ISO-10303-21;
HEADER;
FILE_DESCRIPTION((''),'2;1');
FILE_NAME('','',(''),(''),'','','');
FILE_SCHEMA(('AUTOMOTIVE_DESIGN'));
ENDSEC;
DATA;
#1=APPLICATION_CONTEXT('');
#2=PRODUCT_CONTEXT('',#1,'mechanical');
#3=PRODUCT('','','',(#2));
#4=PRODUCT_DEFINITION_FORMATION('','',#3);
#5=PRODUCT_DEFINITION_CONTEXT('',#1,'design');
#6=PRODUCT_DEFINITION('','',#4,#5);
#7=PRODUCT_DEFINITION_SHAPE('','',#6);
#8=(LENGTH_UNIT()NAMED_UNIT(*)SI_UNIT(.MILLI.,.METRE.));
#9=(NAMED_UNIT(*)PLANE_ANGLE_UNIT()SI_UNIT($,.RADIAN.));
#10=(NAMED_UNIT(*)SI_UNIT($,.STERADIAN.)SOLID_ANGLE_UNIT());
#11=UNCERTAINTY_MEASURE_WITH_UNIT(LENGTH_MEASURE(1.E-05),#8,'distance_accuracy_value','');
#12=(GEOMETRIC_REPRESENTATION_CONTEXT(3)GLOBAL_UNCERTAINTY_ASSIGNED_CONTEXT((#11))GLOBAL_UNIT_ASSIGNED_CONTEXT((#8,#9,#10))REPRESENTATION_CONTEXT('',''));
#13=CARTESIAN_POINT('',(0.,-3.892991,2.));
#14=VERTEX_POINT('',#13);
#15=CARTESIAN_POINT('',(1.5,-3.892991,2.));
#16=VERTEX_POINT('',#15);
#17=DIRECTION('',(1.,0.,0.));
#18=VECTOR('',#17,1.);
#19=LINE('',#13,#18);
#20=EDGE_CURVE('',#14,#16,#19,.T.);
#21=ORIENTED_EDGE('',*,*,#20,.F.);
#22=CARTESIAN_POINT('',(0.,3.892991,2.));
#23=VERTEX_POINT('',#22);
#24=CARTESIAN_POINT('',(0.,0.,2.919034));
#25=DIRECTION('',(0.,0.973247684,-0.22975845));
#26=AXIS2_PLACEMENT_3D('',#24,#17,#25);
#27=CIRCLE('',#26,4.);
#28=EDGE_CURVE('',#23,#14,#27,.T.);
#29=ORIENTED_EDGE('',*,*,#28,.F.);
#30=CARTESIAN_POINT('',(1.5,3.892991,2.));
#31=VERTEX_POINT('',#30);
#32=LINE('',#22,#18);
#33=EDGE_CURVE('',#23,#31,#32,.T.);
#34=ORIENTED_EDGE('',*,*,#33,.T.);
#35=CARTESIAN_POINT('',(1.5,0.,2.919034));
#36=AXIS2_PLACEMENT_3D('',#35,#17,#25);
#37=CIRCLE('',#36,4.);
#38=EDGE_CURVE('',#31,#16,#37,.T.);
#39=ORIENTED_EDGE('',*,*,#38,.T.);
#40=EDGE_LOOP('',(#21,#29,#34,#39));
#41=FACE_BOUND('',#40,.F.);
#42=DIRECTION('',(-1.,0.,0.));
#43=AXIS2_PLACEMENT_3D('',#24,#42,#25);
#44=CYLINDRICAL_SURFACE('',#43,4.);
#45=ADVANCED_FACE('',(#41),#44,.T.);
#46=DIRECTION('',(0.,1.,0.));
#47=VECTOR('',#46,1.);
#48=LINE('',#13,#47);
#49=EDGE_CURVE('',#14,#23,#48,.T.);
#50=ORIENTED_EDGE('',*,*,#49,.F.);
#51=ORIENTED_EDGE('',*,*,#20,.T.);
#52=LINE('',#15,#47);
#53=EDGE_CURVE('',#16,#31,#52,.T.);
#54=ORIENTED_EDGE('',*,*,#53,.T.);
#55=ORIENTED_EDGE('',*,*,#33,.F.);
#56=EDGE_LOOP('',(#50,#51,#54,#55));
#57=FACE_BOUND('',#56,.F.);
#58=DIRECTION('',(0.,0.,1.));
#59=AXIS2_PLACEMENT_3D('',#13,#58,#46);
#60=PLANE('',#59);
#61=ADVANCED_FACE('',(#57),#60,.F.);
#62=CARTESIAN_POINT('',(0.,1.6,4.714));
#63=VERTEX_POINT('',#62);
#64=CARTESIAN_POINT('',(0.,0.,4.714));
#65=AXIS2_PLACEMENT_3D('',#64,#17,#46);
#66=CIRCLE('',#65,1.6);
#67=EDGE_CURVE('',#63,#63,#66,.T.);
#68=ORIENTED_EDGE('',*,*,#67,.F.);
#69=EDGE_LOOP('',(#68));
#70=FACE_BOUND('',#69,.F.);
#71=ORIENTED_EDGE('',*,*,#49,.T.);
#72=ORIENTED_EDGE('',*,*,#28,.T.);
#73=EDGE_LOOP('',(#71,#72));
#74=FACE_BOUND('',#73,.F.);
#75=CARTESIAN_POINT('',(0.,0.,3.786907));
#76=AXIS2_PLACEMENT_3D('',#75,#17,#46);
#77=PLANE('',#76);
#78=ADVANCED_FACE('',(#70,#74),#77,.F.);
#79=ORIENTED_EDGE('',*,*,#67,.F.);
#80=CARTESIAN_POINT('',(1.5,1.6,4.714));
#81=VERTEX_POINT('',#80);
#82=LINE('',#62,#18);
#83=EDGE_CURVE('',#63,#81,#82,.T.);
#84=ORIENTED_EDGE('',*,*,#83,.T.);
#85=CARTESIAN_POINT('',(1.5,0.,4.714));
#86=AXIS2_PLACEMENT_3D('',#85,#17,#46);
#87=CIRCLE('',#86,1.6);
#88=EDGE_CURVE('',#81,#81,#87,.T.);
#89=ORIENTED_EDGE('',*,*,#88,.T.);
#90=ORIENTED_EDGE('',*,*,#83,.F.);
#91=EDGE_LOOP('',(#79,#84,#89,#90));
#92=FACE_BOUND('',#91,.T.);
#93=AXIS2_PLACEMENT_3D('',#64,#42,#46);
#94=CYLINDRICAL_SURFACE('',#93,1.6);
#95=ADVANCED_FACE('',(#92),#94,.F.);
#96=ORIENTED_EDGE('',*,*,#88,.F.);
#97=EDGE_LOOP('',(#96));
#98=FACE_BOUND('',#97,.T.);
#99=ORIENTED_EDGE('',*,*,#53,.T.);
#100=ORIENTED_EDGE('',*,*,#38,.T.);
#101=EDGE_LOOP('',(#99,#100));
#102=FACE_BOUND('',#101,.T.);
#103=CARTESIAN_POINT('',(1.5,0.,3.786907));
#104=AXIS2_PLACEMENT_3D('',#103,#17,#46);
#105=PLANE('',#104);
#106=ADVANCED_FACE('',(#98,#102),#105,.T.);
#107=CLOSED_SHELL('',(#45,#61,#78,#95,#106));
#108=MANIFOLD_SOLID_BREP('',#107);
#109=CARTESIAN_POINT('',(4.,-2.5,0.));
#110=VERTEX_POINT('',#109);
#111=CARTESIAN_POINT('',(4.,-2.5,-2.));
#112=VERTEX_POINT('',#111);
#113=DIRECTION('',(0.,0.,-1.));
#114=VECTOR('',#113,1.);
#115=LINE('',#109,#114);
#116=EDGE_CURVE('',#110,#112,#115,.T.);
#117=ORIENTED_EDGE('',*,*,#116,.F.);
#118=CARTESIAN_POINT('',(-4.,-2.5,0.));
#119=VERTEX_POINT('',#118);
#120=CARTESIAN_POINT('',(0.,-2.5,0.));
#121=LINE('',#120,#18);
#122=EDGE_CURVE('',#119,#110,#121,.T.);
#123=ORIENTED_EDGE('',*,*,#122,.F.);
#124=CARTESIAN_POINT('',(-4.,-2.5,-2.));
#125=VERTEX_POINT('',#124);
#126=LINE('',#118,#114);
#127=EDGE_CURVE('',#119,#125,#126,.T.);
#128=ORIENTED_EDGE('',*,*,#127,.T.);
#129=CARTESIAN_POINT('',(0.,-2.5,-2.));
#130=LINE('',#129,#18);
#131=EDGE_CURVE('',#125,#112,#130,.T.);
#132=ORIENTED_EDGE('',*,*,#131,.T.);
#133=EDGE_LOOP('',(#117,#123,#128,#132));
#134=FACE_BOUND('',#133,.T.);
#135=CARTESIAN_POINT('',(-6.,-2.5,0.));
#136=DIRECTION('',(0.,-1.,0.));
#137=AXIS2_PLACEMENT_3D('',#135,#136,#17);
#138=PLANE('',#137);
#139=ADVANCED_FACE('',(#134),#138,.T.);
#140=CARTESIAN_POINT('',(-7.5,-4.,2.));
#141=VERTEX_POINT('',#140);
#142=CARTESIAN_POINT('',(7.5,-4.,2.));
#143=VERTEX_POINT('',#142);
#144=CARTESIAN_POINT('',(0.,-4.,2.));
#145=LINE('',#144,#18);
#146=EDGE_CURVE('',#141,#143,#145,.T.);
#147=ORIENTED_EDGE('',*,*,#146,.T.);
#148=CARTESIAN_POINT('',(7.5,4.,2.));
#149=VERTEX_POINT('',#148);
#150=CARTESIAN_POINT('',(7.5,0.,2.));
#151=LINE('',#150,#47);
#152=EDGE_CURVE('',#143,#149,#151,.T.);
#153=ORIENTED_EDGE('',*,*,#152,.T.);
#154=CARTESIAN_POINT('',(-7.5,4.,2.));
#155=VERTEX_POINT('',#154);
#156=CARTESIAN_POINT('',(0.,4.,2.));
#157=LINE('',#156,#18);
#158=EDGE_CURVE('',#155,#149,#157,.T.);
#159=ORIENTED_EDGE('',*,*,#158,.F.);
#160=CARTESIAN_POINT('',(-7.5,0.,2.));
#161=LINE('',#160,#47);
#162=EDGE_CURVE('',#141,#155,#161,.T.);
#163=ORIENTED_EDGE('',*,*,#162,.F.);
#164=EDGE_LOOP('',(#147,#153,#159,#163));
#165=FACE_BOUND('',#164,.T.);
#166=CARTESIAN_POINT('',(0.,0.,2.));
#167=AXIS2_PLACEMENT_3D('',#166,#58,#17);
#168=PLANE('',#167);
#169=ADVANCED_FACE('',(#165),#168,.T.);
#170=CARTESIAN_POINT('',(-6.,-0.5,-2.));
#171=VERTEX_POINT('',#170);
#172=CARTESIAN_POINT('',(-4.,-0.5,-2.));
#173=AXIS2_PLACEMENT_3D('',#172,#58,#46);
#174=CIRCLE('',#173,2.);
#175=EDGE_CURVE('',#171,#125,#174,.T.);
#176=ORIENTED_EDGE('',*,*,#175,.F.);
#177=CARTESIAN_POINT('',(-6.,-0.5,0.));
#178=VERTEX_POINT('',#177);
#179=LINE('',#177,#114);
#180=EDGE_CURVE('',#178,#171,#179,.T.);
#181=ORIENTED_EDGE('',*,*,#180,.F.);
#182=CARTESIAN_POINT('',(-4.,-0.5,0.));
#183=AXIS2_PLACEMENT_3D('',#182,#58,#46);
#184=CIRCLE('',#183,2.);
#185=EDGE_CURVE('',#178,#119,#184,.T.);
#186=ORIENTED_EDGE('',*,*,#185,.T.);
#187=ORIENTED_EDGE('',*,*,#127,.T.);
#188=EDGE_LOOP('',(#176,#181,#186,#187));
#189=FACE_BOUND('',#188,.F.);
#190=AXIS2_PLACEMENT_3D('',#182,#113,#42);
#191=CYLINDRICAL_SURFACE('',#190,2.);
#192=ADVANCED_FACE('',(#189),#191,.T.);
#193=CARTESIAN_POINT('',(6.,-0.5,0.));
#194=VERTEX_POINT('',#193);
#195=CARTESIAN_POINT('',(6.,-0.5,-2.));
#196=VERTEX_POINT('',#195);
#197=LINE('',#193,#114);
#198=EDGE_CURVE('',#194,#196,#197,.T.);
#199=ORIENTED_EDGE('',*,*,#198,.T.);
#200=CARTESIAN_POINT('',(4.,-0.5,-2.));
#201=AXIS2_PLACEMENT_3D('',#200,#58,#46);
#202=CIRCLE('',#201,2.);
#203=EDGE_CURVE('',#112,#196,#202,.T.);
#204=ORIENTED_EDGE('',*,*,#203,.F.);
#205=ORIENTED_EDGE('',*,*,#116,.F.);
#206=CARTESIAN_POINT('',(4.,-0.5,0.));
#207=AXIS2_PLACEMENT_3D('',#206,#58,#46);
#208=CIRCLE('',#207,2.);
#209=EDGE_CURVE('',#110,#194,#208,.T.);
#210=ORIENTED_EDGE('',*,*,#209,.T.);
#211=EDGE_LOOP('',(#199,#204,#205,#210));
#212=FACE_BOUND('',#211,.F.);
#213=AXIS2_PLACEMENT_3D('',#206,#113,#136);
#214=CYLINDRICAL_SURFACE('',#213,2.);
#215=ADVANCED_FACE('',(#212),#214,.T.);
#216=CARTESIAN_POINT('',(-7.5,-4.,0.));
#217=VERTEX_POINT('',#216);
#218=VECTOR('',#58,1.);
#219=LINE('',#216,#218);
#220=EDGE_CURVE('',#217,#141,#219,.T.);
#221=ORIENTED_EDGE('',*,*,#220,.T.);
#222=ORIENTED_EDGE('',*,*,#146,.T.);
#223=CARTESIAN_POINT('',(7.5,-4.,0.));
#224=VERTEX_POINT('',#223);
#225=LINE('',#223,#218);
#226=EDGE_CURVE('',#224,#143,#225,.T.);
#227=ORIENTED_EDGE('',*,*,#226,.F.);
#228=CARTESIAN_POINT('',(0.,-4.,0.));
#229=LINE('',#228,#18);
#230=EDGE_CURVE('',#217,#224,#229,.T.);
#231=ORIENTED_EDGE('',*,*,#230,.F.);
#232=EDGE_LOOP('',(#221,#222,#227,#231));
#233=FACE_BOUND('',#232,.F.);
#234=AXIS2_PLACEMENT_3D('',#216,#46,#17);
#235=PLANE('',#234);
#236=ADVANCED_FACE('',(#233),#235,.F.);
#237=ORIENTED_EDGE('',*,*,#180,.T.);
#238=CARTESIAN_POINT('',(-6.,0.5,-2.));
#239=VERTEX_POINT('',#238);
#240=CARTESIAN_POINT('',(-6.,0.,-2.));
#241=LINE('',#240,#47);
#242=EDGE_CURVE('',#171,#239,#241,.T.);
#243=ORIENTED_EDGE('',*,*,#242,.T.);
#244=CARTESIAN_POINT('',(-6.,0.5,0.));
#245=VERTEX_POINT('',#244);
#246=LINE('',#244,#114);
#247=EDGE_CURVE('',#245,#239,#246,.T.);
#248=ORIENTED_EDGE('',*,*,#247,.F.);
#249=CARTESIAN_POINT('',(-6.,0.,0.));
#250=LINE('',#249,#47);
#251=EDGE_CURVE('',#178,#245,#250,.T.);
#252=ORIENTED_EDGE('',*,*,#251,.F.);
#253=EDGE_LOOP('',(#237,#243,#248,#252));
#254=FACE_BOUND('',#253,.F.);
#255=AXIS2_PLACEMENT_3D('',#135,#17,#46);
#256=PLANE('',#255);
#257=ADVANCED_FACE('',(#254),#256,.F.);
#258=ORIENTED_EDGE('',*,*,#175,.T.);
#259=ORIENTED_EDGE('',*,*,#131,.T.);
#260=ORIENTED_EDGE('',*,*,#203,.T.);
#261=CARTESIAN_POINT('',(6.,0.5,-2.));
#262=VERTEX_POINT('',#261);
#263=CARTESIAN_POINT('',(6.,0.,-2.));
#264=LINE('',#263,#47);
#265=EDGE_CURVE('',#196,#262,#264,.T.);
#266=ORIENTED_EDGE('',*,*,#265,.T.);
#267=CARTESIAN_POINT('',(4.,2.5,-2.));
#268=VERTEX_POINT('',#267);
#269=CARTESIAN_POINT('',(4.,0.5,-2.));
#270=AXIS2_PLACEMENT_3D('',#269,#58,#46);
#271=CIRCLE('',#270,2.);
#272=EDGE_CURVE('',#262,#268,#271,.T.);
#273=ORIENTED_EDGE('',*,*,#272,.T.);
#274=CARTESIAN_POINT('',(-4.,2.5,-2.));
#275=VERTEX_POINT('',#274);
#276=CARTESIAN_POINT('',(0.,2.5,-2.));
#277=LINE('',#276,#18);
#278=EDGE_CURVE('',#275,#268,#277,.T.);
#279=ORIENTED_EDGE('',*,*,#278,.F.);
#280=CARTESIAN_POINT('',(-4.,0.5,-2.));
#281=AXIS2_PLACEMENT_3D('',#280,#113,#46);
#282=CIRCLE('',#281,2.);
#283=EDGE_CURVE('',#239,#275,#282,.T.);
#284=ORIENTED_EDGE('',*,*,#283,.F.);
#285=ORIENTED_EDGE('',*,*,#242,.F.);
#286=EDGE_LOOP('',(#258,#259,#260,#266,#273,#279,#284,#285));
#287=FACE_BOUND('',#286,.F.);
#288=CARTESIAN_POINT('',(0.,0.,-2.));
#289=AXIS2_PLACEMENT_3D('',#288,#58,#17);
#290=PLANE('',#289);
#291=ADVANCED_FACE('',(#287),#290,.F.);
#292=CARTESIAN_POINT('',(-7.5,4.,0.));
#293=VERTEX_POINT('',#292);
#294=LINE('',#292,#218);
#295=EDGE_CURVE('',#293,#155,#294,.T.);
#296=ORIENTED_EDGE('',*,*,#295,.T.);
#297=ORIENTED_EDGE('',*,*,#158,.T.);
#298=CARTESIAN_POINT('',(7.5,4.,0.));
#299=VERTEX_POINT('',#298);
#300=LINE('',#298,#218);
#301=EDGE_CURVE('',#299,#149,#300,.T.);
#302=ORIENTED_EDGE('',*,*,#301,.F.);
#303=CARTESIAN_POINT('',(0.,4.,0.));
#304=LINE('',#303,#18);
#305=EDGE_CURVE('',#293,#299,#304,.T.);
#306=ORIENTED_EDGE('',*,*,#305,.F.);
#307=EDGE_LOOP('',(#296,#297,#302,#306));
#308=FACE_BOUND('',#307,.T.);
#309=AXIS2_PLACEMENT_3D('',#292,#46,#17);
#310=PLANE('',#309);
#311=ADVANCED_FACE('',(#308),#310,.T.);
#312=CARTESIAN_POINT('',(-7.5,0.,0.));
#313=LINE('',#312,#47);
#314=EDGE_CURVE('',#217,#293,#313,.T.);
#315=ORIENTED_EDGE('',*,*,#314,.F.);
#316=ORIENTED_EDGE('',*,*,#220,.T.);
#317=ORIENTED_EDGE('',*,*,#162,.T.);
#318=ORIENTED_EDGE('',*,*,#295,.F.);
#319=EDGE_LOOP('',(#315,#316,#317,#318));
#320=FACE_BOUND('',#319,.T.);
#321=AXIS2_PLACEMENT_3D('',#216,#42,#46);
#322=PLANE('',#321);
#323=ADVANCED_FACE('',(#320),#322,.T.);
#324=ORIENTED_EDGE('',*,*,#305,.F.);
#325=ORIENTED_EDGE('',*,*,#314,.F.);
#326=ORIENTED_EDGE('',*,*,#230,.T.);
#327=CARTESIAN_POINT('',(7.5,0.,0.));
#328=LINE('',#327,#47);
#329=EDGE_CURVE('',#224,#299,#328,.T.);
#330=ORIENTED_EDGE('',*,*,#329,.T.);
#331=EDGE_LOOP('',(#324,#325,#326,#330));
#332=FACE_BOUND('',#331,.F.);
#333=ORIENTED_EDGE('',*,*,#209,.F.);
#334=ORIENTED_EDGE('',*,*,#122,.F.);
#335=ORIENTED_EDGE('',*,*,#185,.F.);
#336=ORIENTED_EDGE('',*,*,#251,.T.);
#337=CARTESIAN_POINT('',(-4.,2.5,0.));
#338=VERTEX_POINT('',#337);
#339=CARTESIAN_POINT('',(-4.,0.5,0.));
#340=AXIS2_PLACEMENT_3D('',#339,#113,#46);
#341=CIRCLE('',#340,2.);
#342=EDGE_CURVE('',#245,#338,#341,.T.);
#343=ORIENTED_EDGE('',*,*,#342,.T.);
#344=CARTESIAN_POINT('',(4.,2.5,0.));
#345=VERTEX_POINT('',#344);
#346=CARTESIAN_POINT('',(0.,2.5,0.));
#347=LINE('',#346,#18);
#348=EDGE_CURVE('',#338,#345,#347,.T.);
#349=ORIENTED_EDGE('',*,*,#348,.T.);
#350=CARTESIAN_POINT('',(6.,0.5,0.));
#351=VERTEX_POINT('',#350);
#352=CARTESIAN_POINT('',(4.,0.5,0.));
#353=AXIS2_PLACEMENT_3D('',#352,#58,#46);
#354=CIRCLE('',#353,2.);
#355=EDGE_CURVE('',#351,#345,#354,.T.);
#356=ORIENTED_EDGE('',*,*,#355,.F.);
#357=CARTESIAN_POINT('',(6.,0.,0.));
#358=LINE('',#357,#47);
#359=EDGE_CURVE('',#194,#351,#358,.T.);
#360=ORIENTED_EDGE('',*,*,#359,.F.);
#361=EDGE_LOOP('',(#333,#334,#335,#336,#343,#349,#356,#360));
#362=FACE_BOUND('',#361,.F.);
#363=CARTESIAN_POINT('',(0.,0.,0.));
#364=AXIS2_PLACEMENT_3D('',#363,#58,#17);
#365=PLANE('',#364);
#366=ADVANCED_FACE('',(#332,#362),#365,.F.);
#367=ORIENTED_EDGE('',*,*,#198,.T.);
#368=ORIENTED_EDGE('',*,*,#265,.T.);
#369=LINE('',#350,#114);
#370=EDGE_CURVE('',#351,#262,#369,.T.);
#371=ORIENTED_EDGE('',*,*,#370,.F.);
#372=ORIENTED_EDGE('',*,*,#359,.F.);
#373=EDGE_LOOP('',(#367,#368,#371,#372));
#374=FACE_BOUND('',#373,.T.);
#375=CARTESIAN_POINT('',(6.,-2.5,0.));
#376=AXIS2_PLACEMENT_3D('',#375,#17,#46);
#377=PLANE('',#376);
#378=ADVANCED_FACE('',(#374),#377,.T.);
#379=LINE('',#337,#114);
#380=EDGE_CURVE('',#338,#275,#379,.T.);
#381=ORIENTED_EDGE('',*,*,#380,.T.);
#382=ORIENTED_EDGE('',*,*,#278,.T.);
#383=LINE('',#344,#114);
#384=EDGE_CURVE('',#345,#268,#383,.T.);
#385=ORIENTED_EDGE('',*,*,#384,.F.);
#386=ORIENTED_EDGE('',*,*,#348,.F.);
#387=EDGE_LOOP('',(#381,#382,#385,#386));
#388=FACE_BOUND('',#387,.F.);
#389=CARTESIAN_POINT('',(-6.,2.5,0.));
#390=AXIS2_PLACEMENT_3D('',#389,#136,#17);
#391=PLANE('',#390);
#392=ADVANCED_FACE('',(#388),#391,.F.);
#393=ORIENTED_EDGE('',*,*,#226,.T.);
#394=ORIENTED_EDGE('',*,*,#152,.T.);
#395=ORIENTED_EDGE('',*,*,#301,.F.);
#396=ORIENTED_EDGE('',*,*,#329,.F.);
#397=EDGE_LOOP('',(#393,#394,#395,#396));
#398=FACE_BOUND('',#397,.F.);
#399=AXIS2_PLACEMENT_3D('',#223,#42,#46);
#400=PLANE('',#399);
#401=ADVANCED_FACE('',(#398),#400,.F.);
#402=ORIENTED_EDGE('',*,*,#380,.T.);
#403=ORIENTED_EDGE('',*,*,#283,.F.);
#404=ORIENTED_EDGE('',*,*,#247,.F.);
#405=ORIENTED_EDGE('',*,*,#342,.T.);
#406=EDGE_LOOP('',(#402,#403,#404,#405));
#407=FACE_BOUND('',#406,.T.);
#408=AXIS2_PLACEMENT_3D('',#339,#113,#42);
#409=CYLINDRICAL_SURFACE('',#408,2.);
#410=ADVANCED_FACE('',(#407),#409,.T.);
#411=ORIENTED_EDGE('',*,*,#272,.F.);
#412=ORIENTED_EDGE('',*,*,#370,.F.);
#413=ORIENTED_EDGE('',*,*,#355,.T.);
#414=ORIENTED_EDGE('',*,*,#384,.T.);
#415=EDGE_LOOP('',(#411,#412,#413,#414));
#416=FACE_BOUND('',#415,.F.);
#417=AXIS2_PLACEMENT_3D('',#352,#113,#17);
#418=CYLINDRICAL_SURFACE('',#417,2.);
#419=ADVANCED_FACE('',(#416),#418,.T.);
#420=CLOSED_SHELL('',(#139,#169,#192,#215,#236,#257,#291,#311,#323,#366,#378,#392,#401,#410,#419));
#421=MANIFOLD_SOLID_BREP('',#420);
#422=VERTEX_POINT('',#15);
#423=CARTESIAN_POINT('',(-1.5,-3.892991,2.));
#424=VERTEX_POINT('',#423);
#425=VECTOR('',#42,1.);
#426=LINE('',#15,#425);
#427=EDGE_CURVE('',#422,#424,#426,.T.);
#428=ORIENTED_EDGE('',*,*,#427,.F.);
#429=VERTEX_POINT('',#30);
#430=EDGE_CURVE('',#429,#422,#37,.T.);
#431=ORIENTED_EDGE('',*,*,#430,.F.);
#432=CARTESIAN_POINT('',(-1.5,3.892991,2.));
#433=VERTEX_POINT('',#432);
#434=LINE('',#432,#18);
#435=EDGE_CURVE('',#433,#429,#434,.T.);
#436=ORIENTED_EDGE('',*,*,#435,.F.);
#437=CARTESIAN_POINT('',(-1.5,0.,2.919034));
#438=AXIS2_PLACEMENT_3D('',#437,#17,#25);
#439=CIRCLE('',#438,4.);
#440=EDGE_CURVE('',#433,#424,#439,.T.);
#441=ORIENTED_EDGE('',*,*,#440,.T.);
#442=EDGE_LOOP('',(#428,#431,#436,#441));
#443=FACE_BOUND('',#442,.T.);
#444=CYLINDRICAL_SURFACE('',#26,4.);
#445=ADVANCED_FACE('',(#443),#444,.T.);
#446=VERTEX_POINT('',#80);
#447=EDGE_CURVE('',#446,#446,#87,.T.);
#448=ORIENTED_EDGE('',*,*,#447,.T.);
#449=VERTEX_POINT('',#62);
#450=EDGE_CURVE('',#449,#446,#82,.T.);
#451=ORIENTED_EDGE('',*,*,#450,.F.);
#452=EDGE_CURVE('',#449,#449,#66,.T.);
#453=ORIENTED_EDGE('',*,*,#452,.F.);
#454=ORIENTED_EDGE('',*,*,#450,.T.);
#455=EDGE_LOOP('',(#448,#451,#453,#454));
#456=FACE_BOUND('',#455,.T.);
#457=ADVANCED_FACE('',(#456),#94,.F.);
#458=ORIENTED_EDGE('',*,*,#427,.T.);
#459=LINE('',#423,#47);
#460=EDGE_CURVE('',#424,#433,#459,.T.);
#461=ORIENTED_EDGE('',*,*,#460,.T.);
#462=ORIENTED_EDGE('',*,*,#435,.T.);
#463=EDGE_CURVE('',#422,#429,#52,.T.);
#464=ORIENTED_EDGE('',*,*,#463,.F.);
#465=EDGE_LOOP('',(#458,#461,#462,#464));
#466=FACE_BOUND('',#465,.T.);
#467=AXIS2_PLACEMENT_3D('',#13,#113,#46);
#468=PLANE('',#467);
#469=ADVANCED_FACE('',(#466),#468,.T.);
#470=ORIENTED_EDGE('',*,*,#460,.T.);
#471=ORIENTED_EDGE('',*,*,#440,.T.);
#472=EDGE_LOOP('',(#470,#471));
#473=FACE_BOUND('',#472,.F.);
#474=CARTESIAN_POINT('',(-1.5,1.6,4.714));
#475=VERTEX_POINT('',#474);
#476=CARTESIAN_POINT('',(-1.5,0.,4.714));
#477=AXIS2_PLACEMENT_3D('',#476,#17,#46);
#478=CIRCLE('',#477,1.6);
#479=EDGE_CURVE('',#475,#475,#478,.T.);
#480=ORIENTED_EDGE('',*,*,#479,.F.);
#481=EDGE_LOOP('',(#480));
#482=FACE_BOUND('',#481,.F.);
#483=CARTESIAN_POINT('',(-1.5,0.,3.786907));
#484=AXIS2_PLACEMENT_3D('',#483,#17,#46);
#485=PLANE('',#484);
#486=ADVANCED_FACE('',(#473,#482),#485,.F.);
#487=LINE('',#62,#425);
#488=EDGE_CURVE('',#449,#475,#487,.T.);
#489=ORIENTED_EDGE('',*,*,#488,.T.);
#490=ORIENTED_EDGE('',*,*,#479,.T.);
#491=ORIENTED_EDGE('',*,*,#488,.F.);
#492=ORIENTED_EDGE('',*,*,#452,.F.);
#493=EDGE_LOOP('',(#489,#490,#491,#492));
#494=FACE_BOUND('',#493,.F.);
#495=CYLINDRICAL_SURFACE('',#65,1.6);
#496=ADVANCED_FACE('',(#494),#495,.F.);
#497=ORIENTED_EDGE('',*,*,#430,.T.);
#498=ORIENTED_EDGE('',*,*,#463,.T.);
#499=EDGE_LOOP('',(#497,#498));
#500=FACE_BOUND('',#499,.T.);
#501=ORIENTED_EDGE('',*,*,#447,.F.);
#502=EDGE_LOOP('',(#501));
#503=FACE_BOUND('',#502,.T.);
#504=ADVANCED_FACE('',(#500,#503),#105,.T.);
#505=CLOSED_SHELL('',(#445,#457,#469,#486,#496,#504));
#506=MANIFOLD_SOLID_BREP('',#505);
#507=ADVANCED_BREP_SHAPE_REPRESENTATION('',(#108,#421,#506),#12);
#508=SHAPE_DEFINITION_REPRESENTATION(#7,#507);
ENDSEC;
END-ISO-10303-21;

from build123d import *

# Parameters (mm, degrees)
F0_W          = 12
F0_H          = 5
F1_DEPTH      = 2
F2_R          = 2
F3_W          = 15
F3_H          = 8
F4_DEPTH      = 2
F6_DEPTH      = 1.5
F7_DEPTH      = 1.5
F7_DEPTH_BACK = 1.5
F8_R          = 1.6
F9_DEPTH      = 1.5
F9_DEPTH_BACK = 1.5


with BuildPart() as f1:
    # F0 (on Top) → F1 (new body)
    with BuildSketch(Plane.XY):
        Rectangle(F0_W, F0_H)
    extrude(amount=-F1_DEPTH)

    # F2
    f2_edges = [f1.edges().sort_by_distance(p)[0] for p in [
        (6, 2.5, -1),
        (6, -2.5, -1),
        (-6, -2.5, -1),
        (-6, 2.5, -1),
    ]]
    fillet(f2_edges, radius=F2_R)

    # F3 (on Top) → F4 (join)
    with BuildSketch(Plane.XY):
        Rectangle(F3_W, F3_H)
    extrude(amount=F4_DEPTH)


with BuildPart() as f6:
    # F5 (on Right) → F6 (new body)
    with BuildSketch(Plane.YZ):
        with BuildLine():
            Line((-3.8929907368, 2), (3.8929907368, 2))
            ThreePointArc((3.8929907368, 2), (0, 6.9190337989), (-3.8929907368, 2))
        make_face()
    extrude(amount=F6_DEPTH)


with BuildPart() as f7:
    # F5 (on Right) → F7 (new body, two sides)
    with BuildSketch(Plane.YZ) as f7_sk:
        with BuildLine():
            Line((-3.8929907368, 2), (3.8929907368, 2))
            ThreePointArc((3.8929907368, 2), (0, 6.9190337989), (-3.8929907368, 2))
        make_face()
    extrude(amount=F7_DEPTH)
    extrude(f7_sk.sketch, amount=-F7_DEPTH_BACK)


with BuildPart() as f9_tool:
    # F8 (on Right) → F9 (new body, two sides)
    with BuildSketch(Plane.YZ) as f9_sk:
        with Locations((0, 4.7139995731)):
            Circle(F8_R)
    extrude(amount=-F9_DEPTH)
    extrude(f9_sk.sketch, amount=F9_DEPTH_BACK)


with BuildPart() as f6_1:
    add(f6.part)

    # F9: cut by f9_tool
    add(f9_tool.part, mode=Mode.SUBTRACT)


with BuildPart() as f7_1:
    add(f7.part)

    # F9: cut by f9_tool
    add(f9_tool.part, mode=Mode.SUBTRACT)


solid = Compound([f1.part, f6_1.part, f7_1.part])
